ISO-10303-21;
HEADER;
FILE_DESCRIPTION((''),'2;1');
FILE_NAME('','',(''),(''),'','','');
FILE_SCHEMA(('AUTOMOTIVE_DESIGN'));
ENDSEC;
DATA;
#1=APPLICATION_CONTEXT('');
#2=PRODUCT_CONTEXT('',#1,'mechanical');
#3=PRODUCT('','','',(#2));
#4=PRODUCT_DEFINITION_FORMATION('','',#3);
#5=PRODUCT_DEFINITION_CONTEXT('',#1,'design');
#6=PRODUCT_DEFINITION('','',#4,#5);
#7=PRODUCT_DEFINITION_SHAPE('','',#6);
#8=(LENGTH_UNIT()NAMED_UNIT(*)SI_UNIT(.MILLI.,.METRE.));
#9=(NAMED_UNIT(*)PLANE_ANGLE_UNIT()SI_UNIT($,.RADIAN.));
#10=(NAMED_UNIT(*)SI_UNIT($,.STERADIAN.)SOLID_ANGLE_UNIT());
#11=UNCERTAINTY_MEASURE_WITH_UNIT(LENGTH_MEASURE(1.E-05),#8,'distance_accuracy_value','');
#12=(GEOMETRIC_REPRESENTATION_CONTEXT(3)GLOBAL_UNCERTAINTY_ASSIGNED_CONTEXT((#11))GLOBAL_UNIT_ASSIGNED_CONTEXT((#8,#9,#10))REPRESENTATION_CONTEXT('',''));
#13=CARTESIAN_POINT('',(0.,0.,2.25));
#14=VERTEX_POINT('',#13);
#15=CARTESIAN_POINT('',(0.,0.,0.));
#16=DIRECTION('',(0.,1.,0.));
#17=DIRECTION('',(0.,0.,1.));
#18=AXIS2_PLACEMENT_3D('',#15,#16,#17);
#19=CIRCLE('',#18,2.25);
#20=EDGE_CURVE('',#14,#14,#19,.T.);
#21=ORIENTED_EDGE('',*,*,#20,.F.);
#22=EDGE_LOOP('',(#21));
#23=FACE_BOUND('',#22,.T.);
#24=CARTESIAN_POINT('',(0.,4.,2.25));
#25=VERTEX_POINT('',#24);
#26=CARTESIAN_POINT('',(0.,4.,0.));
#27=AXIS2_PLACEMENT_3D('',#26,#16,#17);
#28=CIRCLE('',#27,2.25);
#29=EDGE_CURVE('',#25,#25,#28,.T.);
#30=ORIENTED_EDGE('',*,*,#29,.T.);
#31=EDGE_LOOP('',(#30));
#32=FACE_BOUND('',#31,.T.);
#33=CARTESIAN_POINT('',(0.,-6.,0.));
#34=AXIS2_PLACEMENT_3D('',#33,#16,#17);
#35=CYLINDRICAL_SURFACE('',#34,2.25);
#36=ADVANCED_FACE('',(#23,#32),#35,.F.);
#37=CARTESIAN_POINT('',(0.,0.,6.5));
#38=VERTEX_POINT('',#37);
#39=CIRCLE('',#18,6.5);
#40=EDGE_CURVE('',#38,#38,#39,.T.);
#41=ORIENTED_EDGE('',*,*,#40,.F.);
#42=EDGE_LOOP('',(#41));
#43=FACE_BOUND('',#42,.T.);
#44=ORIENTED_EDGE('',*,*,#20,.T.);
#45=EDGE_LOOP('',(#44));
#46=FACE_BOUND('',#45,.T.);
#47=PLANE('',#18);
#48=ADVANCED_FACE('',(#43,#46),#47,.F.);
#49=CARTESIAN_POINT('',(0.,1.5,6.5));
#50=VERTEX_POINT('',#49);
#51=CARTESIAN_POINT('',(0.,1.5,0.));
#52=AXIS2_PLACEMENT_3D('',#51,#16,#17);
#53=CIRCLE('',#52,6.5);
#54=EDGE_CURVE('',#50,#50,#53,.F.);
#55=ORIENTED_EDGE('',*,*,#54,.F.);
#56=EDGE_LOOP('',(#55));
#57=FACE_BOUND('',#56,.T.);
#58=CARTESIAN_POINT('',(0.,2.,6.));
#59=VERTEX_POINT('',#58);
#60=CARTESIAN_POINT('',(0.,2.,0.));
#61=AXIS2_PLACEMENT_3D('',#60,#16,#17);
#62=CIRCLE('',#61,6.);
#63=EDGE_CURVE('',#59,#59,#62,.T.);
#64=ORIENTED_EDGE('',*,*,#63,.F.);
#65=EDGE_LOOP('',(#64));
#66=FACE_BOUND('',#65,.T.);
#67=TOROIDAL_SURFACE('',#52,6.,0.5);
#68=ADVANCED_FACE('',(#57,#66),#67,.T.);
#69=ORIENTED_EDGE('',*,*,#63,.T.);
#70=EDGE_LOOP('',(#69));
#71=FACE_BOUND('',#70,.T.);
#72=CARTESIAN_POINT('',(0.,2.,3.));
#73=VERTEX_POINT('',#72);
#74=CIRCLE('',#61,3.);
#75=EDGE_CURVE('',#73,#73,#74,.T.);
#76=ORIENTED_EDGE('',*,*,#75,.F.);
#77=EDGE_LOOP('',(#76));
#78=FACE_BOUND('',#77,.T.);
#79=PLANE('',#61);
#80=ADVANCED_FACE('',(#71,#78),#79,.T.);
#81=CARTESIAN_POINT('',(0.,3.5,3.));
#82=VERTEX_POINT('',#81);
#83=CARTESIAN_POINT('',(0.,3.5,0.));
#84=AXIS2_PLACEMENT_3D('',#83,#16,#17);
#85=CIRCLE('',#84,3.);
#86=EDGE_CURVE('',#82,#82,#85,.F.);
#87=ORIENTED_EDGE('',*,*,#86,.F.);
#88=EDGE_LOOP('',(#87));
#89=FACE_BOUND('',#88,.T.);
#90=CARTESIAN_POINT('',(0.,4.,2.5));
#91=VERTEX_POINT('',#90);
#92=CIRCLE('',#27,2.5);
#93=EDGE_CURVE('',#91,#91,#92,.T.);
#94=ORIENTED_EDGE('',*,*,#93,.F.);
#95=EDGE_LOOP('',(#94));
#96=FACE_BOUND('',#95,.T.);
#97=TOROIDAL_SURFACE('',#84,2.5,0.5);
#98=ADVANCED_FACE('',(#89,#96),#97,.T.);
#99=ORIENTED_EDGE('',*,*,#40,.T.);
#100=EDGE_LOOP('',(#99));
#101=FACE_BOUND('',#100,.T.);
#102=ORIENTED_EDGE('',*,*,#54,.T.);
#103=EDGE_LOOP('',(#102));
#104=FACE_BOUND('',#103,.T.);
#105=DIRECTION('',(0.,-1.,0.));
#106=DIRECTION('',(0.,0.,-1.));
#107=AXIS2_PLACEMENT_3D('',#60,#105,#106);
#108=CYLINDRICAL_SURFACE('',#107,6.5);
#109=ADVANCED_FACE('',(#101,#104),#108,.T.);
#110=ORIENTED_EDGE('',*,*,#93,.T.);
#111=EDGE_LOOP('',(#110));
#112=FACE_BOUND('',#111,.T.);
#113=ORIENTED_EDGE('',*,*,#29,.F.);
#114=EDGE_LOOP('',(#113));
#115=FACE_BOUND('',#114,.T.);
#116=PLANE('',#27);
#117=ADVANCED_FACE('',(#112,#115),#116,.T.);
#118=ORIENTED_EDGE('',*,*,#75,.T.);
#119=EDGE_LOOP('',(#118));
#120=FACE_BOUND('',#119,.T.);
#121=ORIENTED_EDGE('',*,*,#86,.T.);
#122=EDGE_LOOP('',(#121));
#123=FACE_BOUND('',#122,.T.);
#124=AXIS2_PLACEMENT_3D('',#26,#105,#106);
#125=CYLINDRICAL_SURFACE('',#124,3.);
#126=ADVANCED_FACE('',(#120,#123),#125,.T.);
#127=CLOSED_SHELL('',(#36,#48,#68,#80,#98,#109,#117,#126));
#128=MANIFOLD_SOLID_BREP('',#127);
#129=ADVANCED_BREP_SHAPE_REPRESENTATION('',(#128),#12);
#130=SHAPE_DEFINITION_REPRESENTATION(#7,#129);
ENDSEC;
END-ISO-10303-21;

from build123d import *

# Parameters (mm, degrees)
SKETCH_1_R          = 6.5
EXTRUDE_1_DEPTH     = 2
SKETCH_2_R          = 3
EXTRUDE_2_DEPTH     = 2
SKETCH_3_R          = 2.25
CUT_EXTRUDE_1_DEPTH = 10
FILLET_2_R          = 0.5
FILLET_3_R          = 0.5


with BuildPart() as part:
    # 草图1 → 凸台-拉伸1 (new body)
    with BuildSketch(Plane(origin=(0, 0, 0), x_dir=(1, 0, 0), z_dir=(0, 1, 0))):
        with Locations(Location((0, 0, 0), (0, 0, 270))):
            Circle(SKETCH_1_R)
    extrude(amount=EXTRUDE_1_DEPTH)

    # 草图2 → 凸台-拉伸2 (add)
    with BuildSketch(Plane(origin=(0, 2, 0), x_dir=(1, 0, 0), z_dir=(0, 1, 0))):
        with Locations(Location((0, 0, 0), (0, 0, 270))):
            Circle(SKETCH_2_R)
    extrude(amount=EXTRUDE_2_DEPTH)

    # 草图3 → 切除-拉伸1 (cut)
    with BuildSketch(Plane(origin=(0, 4, 0), x_dir=(1, 0, 0), z_dir=(0, 1, 0))):
        with Locations(Location((0, 0, 0), (0, 0, 270))):
            Circle(SKETCH_3_R)
    extrude(amount=-CUT_EXTRUDE_1_DEPTH, mode=Mode.SUBTRACT)

    # 圆角2
    fillet_2_edges = [part.edges().sort_by_distance(p)[0] for p in [
        (0, 4, -3),
    ]]
    fillet(fillet_2_edges, radius=FILLET_2_R)

    # 圆角3
    fillet_3_edges = [part.edges().sort_by_distance(p)[0] for p in [
        (0, 2, -6.5),
    ]]
    fillet(fillet_3_edges, radius=FILLET_3_R)


solid = part.part
